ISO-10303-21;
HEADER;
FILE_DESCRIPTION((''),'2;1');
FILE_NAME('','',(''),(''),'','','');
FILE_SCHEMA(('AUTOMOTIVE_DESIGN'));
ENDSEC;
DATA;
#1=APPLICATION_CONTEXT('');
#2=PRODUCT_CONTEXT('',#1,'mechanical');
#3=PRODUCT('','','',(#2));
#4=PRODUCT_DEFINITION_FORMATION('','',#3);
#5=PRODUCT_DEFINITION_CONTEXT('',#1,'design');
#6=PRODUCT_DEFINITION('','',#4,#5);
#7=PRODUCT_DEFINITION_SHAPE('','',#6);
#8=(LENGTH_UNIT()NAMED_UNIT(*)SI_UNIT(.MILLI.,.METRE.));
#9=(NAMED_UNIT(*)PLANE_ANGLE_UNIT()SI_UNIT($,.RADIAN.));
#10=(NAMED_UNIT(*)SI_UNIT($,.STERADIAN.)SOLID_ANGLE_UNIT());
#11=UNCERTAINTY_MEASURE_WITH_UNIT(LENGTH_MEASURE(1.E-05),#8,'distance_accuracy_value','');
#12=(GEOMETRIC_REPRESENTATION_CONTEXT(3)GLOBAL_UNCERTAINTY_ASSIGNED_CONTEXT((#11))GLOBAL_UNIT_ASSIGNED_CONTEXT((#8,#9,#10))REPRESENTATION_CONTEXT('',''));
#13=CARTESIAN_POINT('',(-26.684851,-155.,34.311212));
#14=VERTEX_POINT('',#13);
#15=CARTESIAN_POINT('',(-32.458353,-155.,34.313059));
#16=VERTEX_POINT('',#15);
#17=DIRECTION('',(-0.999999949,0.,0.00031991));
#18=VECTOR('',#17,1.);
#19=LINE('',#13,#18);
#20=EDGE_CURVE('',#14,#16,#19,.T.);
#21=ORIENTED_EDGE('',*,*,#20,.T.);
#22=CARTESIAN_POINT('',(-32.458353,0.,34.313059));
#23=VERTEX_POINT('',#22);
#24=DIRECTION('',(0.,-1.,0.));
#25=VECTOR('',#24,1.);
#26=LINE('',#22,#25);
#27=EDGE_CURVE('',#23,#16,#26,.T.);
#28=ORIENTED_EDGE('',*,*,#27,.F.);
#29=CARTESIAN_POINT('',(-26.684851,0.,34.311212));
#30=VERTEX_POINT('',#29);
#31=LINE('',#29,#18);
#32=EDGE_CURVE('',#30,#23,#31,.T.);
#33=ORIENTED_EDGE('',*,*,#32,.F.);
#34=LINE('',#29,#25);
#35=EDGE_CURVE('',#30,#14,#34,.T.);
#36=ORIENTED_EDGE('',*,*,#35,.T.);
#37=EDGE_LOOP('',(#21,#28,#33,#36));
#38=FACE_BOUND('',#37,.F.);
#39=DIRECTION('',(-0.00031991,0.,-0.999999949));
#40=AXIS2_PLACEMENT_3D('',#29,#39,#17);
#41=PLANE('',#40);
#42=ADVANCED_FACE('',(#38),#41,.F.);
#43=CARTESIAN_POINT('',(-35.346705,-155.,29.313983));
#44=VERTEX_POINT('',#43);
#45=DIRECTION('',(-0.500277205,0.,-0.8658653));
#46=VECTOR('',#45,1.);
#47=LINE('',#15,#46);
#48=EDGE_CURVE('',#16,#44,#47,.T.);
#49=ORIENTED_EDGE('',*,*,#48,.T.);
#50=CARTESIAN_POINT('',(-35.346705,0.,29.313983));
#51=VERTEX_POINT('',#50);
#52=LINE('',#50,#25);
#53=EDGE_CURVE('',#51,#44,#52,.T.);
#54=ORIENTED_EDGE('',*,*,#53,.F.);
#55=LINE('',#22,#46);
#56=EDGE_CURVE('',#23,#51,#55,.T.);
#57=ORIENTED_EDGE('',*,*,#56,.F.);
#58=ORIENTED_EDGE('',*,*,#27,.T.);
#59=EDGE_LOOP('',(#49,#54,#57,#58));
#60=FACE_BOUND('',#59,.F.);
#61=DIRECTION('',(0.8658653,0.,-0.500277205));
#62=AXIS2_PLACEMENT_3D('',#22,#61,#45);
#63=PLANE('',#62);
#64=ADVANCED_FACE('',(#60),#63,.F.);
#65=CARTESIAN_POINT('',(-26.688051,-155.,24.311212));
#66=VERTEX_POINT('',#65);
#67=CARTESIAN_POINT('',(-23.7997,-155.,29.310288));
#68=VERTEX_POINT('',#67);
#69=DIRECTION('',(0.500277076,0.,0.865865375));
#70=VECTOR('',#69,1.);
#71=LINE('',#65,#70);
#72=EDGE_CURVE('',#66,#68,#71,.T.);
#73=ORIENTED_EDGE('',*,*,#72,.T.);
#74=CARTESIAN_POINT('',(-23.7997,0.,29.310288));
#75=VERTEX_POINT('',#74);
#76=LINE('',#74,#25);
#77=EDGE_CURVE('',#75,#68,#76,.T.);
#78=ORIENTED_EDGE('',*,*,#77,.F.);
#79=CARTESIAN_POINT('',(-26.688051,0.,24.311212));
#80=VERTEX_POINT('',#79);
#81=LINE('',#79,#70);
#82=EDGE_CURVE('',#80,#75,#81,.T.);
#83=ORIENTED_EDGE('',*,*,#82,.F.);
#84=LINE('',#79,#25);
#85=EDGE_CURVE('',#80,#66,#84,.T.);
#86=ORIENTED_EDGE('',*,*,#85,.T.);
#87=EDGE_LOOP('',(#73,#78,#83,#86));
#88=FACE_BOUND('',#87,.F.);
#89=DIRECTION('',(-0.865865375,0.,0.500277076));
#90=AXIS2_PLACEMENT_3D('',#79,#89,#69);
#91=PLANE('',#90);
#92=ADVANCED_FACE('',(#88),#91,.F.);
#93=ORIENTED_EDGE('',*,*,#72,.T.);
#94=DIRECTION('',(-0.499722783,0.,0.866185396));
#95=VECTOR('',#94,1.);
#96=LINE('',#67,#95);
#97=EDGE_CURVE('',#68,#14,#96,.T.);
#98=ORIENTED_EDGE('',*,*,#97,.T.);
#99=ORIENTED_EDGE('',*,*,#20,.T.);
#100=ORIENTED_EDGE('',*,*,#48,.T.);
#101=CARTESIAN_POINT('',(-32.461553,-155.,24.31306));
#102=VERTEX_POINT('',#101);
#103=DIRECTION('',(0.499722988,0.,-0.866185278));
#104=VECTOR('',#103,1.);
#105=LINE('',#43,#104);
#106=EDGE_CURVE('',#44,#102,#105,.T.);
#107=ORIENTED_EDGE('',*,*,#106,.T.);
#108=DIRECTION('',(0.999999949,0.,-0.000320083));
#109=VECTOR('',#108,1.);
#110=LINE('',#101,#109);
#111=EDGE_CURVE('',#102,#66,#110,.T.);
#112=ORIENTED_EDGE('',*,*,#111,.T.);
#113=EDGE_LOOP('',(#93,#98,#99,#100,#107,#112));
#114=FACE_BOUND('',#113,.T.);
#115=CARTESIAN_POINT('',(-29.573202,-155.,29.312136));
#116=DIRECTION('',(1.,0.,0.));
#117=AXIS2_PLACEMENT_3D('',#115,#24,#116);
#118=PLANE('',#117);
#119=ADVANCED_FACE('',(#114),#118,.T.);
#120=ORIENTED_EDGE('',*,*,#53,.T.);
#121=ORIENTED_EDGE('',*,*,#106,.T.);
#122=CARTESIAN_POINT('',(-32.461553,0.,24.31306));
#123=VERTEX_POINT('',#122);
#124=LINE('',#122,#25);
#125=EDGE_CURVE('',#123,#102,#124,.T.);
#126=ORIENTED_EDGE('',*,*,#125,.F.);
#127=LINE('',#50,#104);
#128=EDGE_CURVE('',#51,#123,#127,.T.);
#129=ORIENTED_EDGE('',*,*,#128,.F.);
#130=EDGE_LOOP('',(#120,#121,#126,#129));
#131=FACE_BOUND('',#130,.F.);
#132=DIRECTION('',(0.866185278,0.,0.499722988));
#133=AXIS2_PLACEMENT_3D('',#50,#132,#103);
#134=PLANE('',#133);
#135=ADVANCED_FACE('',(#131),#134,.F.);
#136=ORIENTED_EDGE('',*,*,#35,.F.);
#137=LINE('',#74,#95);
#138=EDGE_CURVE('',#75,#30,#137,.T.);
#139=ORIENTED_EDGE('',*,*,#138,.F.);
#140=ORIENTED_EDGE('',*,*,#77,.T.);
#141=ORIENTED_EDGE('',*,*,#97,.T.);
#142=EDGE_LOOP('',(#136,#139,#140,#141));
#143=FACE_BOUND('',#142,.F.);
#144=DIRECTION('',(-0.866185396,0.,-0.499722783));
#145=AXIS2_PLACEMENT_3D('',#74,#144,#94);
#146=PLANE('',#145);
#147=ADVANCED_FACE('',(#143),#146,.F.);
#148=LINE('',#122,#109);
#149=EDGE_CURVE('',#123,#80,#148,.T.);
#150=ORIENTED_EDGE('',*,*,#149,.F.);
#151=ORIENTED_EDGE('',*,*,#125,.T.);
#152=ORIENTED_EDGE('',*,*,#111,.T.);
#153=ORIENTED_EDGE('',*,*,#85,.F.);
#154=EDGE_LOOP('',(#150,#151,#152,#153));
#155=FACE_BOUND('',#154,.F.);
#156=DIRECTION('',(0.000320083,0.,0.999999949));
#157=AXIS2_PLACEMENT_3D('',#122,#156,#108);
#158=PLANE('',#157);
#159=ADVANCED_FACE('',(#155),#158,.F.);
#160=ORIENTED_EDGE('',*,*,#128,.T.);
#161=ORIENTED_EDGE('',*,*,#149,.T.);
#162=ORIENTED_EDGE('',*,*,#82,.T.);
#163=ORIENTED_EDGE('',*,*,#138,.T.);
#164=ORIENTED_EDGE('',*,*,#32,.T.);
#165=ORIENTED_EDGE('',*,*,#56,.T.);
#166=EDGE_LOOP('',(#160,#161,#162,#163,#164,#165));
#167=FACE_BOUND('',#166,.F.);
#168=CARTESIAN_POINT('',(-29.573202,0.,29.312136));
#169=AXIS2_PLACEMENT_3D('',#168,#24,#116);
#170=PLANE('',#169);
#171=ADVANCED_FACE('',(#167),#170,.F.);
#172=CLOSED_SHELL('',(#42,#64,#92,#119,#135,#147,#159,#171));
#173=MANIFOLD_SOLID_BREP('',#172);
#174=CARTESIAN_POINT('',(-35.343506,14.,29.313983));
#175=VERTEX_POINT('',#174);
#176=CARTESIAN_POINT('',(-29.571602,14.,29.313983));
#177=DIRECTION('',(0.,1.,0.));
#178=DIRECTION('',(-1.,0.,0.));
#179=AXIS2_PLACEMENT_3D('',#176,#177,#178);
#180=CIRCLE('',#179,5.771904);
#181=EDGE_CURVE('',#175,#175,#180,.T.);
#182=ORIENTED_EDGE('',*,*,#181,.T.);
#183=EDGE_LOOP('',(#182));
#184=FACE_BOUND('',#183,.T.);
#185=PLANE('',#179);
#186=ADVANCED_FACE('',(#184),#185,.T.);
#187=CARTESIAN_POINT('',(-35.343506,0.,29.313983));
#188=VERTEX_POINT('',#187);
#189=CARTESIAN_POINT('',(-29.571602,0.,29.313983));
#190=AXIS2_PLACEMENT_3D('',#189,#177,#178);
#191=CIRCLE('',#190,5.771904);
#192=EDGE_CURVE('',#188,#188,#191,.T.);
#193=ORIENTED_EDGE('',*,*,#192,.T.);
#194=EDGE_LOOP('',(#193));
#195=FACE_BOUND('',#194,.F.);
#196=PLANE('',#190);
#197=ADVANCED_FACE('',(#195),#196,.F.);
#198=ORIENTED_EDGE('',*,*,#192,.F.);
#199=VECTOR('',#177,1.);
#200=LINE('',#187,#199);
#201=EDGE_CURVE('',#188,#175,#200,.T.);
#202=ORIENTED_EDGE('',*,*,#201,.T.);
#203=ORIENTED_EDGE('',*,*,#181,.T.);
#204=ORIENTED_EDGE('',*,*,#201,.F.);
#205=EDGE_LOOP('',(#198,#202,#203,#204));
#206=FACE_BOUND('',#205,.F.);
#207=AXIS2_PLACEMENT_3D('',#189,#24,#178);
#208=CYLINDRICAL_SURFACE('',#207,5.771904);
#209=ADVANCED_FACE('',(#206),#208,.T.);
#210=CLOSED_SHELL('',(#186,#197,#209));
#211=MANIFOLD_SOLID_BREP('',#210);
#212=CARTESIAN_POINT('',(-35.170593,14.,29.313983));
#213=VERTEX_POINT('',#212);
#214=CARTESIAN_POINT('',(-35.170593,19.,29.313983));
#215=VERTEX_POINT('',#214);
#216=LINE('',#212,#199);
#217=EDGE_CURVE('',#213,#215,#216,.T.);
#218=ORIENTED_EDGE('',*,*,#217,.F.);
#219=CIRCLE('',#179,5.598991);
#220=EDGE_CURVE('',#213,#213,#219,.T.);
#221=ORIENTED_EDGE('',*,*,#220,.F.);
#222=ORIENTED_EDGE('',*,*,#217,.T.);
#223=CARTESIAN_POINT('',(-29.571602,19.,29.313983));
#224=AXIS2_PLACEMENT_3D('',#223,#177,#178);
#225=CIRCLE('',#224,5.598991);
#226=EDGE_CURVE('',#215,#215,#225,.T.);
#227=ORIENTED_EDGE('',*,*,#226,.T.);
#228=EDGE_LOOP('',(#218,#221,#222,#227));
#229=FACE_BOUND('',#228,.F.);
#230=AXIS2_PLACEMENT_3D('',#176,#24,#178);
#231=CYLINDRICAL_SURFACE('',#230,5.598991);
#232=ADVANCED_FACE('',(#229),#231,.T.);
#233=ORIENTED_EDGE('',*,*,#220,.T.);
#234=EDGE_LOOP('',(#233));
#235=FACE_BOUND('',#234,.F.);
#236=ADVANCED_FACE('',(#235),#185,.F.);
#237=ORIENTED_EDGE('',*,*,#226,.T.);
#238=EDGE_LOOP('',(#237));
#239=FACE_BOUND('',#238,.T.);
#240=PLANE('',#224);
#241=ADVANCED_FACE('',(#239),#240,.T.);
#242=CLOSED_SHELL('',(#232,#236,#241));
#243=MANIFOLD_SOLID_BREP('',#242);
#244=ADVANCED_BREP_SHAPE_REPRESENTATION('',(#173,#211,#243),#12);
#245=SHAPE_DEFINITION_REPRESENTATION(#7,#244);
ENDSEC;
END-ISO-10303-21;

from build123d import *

# Parameters (mm, degrees)
F1_DEPTH = 155
F2_R     = 5.771904
F3_DEPTH = 14
F4_R     = 5.598991
F5_DEPTH = 5


with BuildPart() as f1:
    # F0 (on Front) → F1 (new body)
    with BuildSketch(Plane.XZ):
        Polygon((-23.7997, 29.310288), (-26.684851, 34.311212), (-32.458353, 34.313059), (-35.346705, 29.313983), (-32.461553, 24.31306), (-26.688051, 24.311212), align=None)
    extrude(amount=F1_DEPTH)


with BuildPart() as f3:
    # F2 (on face) → F3 (new body)
    with BuildSketch(Plane(origin=(0, 0, 0), x_dir=(-1, 0, 0), z_dir=(0, 1, 0))):
        with Locations((29.571602, 29.313983)):
            Circle(F2_R)
    extrude(amount=F3_DEPTH)


with BuildPart() as f5:
    # F4 (on face) → F5 (new body)
    with BuildSketch(Plane(origin=(0, 14, 0), x_dir=(-1, 0, 0), z_dir=(0, 1, 0))):
        with Locations((29.571602, 29.313983)):
            Circle(F4_R)
    extrude(amount=F5_DEPTH)


solid = Compound([f1.part, f3.part, f5.part])
